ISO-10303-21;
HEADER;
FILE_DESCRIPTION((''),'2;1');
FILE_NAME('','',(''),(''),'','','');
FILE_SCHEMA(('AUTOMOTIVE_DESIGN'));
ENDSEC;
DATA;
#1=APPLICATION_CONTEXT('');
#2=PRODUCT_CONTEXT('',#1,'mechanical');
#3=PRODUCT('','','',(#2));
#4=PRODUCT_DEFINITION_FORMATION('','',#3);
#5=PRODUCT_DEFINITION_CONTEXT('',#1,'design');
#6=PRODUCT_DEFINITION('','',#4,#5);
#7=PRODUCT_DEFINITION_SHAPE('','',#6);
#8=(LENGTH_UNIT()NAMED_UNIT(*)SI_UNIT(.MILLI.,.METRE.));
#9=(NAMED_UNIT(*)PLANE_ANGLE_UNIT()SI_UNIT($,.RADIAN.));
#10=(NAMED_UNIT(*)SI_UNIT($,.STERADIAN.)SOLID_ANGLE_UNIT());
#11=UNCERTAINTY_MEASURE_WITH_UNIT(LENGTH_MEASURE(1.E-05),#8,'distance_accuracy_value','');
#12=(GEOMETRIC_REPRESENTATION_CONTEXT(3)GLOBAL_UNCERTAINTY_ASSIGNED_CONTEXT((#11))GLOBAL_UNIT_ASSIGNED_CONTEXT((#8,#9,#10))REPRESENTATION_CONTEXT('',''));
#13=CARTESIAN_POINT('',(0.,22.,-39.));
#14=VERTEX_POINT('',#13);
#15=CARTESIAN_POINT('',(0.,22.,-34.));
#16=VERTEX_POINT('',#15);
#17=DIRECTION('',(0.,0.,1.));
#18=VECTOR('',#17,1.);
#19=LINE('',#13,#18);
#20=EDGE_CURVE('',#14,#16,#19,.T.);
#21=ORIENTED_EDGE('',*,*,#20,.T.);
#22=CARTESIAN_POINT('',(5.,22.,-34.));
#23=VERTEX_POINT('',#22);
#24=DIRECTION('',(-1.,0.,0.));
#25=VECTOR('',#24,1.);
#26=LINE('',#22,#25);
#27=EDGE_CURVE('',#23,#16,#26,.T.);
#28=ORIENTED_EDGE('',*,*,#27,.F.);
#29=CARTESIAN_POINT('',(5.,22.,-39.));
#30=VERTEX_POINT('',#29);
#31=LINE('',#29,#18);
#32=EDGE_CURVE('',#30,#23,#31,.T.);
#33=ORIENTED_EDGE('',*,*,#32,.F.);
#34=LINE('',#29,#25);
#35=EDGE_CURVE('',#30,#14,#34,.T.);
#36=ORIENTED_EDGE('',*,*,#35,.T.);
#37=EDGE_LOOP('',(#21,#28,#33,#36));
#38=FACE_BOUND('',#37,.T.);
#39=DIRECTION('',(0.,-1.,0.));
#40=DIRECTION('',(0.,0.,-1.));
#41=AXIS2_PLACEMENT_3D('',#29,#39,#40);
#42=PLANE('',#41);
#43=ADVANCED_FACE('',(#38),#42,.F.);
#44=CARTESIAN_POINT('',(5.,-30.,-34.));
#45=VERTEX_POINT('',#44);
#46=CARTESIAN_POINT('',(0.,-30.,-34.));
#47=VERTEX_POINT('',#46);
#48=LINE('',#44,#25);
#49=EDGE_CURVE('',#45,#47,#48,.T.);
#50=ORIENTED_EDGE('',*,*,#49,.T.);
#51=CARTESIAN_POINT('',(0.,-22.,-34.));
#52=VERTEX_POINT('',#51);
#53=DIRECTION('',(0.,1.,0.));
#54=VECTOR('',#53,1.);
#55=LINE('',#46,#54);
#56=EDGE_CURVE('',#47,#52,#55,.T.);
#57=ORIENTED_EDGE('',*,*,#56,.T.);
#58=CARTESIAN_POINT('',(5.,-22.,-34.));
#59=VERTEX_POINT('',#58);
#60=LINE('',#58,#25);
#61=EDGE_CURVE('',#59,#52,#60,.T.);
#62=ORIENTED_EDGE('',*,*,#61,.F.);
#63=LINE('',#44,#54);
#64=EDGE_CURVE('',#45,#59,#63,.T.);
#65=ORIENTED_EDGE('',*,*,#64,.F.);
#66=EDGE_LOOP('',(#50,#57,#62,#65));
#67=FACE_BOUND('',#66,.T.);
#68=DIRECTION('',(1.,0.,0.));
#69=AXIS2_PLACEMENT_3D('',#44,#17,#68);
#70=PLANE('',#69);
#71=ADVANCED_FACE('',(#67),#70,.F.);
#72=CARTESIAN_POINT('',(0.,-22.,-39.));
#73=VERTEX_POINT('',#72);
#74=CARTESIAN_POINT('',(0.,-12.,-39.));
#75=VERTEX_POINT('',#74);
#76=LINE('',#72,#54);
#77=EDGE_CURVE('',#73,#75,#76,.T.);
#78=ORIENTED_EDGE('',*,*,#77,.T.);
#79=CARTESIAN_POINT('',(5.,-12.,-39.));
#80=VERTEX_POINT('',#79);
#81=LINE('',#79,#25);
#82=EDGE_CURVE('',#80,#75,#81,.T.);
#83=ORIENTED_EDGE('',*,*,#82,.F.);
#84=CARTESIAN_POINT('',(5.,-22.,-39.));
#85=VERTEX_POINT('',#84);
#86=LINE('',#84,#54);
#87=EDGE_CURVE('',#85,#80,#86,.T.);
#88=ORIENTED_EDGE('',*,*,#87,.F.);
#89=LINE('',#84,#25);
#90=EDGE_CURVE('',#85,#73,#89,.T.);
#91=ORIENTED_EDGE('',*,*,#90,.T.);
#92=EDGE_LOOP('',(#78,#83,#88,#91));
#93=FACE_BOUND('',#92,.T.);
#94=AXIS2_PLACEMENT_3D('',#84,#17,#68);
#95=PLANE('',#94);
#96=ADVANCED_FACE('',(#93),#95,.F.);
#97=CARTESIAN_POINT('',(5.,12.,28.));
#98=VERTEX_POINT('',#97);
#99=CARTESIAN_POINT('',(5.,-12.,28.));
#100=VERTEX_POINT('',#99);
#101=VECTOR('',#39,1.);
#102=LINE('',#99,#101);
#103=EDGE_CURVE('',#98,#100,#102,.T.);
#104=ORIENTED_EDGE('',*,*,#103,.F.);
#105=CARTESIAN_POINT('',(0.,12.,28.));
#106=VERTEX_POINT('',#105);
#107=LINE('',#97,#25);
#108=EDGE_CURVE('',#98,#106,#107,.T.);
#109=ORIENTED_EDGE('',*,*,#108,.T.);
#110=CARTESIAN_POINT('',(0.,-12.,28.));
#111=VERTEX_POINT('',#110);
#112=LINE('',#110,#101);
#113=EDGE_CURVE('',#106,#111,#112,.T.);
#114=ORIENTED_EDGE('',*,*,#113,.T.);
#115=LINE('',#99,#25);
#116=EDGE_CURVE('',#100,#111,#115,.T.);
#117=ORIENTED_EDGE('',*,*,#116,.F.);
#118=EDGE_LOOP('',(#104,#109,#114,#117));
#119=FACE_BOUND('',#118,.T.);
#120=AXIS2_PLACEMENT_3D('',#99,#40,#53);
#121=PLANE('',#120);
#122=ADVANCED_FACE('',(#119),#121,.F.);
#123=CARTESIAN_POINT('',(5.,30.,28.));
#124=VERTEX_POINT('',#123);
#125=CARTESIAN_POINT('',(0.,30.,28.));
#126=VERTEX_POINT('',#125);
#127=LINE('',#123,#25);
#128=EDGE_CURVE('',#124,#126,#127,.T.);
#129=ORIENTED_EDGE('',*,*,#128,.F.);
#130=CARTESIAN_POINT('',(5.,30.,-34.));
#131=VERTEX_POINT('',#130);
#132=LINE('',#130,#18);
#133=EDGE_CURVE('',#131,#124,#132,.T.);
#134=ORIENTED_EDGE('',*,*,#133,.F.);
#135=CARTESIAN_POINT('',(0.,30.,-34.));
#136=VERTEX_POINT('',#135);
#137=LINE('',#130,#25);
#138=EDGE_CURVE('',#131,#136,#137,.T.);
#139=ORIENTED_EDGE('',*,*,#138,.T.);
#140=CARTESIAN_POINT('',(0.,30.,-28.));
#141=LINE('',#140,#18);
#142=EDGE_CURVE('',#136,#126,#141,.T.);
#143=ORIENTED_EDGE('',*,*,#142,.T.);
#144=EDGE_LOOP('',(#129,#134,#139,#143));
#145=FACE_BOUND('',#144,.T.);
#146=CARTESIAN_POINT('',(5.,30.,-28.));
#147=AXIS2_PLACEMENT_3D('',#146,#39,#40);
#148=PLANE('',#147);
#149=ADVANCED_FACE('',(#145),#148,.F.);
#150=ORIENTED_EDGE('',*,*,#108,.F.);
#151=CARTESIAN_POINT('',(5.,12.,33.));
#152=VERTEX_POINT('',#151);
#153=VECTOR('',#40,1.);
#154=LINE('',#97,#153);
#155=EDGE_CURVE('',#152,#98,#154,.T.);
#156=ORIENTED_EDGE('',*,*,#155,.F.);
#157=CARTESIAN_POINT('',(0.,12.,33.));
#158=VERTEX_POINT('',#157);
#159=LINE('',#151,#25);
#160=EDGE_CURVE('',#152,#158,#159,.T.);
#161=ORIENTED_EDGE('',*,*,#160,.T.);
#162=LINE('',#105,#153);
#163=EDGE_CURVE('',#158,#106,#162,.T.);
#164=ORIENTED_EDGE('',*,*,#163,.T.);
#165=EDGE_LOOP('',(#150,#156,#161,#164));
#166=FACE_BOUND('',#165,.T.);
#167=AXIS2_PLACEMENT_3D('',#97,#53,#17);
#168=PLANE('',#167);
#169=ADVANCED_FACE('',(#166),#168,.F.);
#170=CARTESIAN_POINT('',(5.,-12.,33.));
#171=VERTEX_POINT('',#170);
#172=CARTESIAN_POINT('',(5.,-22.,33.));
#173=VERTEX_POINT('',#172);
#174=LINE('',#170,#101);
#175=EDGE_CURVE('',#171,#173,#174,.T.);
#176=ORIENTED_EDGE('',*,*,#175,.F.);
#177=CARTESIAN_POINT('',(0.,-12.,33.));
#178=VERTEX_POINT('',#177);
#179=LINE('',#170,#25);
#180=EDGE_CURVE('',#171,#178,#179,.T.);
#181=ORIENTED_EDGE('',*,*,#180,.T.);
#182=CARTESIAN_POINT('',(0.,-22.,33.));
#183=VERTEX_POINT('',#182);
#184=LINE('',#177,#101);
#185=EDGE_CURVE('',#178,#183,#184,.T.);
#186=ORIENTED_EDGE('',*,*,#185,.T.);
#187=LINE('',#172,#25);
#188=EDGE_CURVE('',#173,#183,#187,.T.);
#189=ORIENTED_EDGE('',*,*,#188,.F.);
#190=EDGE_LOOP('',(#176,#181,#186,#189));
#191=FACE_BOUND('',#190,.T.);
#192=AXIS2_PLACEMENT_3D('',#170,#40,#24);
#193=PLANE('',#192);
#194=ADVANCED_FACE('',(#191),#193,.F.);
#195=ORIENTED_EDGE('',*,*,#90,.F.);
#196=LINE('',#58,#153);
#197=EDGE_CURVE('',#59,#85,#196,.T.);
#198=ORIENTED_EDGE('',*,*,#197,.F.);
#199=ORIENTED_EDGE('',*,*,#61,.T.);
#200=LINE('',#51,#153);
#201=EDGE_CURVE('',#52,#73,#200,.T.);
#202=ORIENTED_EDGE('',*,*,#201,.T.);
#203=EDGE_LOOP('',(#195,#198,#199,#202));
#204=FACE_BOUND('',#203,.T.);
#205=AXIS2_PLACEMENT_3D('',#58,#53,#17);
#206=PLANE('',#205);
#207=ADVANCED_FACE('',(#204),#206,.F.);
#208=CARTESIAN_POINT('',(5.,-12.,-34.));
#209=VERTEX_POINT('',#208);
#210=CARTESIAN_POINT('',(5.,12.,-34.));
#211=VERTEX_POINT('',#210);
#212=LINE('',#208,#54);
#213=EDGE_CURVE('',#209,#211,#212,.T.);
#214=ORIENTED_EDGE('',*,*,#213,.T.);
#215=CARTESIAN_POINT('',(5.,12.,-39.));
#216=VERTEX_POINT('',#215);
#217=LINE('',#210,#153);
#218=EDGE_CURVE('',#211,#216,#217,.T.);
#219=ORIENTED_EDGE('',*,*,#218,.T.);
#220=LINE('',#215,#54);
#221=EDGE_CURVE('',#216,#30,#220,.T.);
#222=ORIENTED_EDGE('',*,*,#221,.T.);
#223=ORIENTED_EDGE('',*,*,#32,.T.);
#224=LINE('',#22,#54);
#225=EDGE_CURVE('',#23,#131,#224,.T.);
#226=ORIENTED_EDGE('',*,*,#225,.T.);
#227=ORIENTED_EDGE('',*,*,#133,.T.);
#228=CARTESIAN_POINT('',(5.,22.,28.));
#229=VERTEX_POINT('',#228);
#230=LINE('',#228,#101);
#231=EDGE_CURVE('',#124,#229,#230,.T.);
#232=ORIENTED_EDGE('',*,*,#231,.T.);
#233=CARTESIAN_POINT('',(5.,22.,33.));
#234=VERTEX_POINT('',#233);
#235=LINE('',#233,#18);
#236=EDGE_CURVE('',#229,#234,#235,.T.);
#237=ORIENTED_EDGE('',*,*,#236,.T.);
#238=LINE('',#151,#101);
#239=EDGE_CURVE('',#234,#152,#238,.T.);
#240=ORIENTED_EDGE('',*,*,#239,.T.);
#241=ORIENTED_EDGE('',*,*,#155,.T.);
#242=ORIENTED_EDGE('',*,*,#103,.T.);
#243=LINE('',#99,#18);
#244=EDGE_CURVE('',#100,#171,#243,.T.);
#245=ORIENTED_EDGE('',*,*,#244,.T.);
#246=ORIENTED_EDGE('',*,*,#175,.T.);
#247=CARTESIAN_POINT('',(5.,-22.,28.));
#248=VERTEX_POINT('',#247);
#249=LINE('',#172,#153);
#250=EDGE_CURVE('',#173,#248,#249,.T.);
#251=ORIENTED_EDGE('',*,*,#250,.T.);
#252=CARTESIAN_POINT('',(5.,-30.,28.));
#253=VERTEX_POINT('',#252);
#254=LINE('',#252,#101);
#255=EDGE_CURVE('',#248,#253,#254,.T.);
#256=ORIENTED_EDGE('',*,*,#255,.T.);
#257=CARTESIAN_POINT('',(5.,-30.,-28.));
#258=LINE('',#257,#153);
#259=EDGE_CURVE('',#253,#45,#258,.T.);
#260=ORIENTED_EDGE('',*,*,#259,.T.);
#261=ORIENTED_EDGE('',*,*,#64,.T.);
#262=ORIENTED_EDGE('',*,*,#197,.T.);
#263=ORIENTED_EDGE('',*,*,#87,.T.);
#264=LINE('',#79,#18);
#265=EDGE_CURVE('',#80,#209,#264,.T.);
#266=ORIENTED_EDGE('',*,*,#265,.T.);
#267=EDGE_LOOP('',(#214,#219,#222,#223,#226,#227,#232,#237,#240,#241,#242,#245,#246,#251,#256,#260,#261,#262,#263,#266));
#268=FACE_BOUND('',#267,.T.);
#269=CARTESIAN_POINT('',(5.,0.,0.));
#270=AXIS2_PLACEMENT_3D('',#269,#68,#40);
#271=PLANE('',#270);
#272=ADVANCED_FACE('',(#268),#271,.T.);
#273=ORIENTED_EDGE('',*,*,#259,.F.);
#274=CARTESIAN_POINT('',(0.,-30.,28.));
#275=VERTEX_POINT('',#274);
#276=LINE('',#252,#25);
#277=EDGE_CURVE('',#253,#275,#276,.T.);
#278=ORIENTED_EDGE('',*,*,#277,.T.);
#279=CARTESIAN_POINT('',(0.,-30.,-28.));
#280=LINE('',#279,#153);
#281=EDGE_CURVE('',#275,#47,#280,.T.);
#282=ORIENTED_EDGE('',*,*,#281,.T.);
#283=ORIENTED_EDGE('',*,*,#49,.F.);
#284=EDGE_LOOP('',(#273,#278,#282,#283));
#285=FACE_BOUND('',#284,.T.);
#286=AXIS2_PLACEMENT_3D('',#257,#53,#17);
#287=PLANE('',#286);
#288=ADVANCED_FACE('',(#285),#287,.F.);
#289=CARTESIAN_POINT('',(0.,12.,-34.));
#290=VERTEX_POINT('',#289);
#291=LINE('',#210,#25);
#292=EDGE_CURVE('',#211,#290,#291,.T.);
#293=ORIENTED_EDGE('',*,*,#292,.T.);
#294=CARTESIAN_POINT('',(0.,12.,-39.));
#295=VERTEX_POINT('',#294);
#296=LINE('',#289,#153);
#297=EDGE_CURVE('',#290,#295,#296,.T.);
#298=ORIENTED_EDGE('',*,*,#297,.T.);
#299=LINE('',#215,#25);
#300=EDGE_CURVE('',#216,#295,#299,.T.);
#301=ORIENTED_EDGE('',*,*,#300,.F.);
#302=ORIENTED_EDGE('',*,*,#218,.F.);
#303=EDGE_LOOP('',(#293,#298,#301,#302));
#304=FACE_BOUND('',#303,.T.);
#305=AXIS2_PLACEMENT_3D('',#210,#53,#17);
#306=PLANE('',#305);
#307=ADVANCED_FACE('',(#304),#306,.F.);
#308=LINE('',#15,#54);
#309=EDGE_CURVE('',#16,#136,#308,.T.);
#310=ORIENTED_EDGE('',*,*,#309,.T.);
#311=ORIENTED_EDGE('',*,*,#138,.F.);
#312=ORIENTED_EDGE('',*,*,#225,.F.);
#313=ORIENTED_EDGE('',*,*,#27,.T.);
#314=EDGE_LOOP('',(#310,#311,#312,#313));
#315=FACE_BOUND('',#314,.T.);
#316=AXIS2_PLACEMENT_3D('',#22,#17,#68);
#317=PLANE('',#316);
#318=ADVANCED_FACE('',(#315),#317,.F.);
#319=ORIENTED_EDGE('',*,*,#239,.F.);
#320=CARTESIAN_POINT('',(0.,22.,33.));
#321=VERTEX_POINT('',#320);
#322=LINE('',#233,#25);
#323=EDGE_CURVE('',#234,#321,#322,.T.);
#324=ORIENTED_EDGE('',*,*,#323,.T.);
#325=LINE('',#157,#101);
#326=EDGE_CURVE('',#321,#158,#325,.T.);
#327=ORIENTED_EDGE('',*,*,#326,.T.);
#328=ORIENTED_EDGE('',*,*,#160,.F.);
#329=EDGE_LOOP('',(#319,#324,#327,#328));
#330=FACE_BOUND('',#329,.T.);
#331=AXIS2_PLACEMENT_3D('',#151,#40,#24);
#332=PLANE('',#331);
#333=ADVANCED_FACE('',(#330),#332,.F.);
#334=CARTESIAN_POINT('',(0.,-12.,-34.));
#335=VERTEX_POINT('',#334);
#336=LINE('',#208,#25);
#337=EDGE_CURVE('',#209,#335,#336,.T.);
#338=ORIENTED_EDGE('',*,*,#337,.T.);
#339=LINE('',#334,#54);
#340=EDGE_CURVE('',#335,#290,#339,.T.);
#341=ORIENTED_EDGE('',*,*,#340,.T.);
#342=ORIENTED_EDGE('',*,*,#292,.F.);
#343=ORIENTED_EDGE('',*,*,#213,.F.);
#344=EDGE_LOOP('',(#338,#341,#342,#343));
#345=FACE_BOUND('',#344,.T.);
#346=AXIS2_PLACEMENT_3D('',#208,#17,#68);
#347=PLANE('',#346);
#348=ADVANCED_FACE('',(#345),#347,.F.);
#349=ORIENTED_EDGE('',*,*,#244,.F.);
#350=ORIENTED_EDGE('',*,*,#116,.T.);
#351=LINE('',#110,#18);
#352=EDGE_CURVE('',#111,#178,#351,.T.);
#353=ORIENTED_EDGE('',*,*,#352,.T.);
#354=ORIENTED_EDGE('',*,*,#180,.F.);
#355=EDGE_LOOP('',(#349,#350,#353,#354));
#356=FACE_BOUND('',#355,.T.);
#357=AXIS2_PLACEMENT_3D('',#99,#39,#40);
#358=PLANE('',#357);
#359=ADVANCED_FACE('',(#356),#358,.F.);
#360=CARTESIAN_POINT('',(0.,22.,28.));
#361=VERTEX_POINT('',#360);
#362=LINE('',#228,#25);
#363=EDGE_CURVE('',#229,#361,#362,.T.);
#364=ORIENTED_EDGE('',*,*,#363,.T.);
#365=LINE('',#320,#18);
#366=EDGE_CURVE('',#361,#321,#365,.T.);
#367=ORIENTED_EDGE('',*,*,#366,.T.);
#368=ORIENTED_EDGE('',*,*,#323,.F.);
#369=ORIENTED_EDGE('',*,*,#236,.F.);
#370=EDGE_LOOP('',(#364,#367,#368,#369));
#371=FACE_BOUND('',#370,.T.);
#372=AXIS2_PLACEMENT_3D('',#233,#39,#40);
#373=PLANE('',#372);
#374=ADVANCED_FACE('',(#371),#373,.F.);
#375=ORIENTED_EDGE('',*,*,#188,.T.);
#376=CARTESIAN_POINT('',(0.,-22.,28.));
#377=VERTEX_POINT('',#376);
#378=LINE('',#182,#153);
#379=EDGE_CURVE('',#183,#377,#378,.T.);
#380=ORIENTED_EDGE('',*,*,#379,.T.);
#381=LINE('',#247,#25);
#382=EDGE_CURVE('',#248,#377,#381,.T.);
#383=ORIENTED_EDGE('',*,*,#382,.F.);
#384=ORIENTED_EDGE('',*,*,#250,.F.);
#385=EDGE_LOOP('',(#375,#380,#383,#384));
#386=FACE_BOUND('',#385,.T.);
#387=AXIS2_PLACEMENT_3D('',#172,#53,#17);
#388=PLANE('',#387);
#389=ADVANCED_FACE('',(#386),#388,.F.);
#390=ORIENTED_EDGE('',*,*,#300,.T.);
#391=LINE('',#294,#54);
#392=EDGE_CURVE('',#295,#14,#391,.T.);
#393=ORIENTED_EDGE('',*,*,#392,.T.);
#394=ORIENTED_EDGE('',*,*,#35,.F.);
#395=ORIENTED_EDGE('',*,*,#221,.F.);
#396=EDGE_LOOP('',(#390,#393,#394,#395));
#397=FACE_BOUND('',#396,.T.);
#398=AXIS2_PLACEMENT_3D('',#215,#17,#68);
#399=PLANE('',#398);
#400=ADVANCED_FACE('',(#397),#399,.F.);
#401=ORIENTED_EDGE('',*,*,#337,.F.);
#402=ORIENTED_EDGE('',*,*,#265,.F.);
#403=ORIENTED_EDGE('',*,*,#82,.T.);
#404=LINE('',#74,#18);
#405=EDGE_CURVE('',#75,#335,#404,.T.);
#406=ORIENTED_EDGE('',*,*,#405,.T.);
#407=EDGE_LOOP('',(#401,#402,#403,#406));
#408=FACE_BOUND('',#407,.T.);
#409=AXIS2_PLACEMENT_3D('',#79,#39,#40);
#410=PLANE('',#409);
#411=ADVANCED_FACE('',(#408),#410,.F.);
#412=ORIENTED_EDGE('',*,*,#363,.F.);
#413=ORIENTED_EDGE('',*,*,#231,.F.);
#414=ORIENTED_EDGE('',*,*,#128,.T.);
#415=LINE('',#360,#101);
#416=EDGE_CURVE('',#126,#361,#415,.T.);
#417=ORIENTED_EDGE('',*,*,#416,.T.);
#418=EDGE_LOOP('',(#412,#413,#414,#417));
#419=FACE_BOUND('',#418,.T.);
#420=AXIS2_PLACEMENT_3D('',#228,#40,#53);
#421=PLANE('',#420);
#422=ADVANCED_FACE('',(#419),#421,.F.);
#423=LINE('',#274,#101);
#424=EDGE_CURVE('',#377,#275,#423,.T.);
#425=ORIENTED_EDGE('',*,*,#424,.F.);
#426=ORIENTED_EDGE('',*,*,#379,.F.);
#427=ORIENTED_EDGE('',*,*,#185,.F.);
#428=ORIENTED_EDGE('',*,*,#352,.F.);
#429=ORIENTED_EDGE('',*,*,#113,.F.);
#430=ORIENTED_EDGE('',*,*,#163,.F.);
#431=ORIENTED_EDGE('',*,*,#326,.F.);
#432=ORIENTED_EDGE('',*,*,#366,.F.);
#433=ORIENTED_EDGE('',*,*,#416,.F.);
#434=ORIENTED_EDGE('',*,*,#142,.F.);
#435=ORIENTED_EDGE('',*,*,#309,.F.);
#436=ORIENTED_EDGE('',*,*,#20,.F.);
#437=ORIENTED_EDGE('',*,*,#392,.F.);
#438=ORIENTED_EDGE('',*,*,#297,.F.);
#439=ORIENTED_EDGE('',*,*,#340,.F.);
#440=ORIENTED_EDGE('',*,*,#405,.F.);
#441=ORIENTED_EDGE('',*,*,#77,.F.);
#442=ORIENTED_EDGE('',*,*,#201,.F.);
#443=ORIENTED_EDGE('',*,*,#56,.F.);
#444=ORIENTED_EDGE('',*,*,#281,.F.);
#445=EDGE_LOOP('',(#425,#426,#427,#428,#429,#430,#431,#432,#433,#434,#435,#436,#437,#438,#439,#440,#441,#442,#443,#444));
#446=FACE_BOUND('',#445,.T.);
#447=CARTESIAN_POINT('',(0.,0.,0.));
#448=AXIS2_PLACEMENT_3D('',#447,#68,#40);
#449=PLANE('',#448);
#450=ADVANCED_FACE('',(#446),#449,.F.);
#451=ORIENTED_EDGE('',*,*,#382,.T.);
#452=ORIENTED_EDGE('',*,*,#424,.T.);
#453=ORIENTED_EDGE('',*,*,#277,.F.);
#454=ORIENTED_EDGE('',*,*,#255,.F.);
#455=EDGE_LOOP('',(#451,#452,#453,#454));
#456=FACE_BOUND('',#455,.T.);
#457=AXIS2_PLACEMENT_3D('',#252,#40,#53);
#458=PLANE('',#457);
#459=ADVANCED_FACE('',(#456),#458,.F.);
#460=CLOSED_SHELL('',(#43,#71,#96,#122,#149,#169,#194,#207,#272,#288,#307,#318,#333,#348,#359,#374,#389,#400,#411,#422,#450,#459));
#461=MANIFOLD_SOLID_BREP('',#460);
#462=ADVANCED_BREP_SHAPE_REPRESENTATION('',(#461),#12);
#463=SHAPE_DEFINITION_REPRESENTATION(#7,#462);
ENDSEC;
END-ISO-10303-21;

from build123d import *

# Parameters (mm, degrees)
BOSS_EXTRUDE1_DEPTH = 5


with BuildPart() as part:
    # Sketch1 → Boss-Extrude1 (new body)
    with BuildSketch(Plane.YZ):
        Polygon((-30, -28), (-30, 28), (-22, 28), (-22, 33), (-12, 33), (-12, 28), (12, 28), (12, 33), (22, 33), (22, 28), (30, 28), (30, -28), (30, -34), (22, -34), (22, -39), (12, -39), (12, -34), (-12, -34), (-12, -39), (-22, -39), (-22, -34), (-30, -34), align=None)
    extrude(amount=BOSS_EXTRUDE1_DEPTH)


solid = part.part
